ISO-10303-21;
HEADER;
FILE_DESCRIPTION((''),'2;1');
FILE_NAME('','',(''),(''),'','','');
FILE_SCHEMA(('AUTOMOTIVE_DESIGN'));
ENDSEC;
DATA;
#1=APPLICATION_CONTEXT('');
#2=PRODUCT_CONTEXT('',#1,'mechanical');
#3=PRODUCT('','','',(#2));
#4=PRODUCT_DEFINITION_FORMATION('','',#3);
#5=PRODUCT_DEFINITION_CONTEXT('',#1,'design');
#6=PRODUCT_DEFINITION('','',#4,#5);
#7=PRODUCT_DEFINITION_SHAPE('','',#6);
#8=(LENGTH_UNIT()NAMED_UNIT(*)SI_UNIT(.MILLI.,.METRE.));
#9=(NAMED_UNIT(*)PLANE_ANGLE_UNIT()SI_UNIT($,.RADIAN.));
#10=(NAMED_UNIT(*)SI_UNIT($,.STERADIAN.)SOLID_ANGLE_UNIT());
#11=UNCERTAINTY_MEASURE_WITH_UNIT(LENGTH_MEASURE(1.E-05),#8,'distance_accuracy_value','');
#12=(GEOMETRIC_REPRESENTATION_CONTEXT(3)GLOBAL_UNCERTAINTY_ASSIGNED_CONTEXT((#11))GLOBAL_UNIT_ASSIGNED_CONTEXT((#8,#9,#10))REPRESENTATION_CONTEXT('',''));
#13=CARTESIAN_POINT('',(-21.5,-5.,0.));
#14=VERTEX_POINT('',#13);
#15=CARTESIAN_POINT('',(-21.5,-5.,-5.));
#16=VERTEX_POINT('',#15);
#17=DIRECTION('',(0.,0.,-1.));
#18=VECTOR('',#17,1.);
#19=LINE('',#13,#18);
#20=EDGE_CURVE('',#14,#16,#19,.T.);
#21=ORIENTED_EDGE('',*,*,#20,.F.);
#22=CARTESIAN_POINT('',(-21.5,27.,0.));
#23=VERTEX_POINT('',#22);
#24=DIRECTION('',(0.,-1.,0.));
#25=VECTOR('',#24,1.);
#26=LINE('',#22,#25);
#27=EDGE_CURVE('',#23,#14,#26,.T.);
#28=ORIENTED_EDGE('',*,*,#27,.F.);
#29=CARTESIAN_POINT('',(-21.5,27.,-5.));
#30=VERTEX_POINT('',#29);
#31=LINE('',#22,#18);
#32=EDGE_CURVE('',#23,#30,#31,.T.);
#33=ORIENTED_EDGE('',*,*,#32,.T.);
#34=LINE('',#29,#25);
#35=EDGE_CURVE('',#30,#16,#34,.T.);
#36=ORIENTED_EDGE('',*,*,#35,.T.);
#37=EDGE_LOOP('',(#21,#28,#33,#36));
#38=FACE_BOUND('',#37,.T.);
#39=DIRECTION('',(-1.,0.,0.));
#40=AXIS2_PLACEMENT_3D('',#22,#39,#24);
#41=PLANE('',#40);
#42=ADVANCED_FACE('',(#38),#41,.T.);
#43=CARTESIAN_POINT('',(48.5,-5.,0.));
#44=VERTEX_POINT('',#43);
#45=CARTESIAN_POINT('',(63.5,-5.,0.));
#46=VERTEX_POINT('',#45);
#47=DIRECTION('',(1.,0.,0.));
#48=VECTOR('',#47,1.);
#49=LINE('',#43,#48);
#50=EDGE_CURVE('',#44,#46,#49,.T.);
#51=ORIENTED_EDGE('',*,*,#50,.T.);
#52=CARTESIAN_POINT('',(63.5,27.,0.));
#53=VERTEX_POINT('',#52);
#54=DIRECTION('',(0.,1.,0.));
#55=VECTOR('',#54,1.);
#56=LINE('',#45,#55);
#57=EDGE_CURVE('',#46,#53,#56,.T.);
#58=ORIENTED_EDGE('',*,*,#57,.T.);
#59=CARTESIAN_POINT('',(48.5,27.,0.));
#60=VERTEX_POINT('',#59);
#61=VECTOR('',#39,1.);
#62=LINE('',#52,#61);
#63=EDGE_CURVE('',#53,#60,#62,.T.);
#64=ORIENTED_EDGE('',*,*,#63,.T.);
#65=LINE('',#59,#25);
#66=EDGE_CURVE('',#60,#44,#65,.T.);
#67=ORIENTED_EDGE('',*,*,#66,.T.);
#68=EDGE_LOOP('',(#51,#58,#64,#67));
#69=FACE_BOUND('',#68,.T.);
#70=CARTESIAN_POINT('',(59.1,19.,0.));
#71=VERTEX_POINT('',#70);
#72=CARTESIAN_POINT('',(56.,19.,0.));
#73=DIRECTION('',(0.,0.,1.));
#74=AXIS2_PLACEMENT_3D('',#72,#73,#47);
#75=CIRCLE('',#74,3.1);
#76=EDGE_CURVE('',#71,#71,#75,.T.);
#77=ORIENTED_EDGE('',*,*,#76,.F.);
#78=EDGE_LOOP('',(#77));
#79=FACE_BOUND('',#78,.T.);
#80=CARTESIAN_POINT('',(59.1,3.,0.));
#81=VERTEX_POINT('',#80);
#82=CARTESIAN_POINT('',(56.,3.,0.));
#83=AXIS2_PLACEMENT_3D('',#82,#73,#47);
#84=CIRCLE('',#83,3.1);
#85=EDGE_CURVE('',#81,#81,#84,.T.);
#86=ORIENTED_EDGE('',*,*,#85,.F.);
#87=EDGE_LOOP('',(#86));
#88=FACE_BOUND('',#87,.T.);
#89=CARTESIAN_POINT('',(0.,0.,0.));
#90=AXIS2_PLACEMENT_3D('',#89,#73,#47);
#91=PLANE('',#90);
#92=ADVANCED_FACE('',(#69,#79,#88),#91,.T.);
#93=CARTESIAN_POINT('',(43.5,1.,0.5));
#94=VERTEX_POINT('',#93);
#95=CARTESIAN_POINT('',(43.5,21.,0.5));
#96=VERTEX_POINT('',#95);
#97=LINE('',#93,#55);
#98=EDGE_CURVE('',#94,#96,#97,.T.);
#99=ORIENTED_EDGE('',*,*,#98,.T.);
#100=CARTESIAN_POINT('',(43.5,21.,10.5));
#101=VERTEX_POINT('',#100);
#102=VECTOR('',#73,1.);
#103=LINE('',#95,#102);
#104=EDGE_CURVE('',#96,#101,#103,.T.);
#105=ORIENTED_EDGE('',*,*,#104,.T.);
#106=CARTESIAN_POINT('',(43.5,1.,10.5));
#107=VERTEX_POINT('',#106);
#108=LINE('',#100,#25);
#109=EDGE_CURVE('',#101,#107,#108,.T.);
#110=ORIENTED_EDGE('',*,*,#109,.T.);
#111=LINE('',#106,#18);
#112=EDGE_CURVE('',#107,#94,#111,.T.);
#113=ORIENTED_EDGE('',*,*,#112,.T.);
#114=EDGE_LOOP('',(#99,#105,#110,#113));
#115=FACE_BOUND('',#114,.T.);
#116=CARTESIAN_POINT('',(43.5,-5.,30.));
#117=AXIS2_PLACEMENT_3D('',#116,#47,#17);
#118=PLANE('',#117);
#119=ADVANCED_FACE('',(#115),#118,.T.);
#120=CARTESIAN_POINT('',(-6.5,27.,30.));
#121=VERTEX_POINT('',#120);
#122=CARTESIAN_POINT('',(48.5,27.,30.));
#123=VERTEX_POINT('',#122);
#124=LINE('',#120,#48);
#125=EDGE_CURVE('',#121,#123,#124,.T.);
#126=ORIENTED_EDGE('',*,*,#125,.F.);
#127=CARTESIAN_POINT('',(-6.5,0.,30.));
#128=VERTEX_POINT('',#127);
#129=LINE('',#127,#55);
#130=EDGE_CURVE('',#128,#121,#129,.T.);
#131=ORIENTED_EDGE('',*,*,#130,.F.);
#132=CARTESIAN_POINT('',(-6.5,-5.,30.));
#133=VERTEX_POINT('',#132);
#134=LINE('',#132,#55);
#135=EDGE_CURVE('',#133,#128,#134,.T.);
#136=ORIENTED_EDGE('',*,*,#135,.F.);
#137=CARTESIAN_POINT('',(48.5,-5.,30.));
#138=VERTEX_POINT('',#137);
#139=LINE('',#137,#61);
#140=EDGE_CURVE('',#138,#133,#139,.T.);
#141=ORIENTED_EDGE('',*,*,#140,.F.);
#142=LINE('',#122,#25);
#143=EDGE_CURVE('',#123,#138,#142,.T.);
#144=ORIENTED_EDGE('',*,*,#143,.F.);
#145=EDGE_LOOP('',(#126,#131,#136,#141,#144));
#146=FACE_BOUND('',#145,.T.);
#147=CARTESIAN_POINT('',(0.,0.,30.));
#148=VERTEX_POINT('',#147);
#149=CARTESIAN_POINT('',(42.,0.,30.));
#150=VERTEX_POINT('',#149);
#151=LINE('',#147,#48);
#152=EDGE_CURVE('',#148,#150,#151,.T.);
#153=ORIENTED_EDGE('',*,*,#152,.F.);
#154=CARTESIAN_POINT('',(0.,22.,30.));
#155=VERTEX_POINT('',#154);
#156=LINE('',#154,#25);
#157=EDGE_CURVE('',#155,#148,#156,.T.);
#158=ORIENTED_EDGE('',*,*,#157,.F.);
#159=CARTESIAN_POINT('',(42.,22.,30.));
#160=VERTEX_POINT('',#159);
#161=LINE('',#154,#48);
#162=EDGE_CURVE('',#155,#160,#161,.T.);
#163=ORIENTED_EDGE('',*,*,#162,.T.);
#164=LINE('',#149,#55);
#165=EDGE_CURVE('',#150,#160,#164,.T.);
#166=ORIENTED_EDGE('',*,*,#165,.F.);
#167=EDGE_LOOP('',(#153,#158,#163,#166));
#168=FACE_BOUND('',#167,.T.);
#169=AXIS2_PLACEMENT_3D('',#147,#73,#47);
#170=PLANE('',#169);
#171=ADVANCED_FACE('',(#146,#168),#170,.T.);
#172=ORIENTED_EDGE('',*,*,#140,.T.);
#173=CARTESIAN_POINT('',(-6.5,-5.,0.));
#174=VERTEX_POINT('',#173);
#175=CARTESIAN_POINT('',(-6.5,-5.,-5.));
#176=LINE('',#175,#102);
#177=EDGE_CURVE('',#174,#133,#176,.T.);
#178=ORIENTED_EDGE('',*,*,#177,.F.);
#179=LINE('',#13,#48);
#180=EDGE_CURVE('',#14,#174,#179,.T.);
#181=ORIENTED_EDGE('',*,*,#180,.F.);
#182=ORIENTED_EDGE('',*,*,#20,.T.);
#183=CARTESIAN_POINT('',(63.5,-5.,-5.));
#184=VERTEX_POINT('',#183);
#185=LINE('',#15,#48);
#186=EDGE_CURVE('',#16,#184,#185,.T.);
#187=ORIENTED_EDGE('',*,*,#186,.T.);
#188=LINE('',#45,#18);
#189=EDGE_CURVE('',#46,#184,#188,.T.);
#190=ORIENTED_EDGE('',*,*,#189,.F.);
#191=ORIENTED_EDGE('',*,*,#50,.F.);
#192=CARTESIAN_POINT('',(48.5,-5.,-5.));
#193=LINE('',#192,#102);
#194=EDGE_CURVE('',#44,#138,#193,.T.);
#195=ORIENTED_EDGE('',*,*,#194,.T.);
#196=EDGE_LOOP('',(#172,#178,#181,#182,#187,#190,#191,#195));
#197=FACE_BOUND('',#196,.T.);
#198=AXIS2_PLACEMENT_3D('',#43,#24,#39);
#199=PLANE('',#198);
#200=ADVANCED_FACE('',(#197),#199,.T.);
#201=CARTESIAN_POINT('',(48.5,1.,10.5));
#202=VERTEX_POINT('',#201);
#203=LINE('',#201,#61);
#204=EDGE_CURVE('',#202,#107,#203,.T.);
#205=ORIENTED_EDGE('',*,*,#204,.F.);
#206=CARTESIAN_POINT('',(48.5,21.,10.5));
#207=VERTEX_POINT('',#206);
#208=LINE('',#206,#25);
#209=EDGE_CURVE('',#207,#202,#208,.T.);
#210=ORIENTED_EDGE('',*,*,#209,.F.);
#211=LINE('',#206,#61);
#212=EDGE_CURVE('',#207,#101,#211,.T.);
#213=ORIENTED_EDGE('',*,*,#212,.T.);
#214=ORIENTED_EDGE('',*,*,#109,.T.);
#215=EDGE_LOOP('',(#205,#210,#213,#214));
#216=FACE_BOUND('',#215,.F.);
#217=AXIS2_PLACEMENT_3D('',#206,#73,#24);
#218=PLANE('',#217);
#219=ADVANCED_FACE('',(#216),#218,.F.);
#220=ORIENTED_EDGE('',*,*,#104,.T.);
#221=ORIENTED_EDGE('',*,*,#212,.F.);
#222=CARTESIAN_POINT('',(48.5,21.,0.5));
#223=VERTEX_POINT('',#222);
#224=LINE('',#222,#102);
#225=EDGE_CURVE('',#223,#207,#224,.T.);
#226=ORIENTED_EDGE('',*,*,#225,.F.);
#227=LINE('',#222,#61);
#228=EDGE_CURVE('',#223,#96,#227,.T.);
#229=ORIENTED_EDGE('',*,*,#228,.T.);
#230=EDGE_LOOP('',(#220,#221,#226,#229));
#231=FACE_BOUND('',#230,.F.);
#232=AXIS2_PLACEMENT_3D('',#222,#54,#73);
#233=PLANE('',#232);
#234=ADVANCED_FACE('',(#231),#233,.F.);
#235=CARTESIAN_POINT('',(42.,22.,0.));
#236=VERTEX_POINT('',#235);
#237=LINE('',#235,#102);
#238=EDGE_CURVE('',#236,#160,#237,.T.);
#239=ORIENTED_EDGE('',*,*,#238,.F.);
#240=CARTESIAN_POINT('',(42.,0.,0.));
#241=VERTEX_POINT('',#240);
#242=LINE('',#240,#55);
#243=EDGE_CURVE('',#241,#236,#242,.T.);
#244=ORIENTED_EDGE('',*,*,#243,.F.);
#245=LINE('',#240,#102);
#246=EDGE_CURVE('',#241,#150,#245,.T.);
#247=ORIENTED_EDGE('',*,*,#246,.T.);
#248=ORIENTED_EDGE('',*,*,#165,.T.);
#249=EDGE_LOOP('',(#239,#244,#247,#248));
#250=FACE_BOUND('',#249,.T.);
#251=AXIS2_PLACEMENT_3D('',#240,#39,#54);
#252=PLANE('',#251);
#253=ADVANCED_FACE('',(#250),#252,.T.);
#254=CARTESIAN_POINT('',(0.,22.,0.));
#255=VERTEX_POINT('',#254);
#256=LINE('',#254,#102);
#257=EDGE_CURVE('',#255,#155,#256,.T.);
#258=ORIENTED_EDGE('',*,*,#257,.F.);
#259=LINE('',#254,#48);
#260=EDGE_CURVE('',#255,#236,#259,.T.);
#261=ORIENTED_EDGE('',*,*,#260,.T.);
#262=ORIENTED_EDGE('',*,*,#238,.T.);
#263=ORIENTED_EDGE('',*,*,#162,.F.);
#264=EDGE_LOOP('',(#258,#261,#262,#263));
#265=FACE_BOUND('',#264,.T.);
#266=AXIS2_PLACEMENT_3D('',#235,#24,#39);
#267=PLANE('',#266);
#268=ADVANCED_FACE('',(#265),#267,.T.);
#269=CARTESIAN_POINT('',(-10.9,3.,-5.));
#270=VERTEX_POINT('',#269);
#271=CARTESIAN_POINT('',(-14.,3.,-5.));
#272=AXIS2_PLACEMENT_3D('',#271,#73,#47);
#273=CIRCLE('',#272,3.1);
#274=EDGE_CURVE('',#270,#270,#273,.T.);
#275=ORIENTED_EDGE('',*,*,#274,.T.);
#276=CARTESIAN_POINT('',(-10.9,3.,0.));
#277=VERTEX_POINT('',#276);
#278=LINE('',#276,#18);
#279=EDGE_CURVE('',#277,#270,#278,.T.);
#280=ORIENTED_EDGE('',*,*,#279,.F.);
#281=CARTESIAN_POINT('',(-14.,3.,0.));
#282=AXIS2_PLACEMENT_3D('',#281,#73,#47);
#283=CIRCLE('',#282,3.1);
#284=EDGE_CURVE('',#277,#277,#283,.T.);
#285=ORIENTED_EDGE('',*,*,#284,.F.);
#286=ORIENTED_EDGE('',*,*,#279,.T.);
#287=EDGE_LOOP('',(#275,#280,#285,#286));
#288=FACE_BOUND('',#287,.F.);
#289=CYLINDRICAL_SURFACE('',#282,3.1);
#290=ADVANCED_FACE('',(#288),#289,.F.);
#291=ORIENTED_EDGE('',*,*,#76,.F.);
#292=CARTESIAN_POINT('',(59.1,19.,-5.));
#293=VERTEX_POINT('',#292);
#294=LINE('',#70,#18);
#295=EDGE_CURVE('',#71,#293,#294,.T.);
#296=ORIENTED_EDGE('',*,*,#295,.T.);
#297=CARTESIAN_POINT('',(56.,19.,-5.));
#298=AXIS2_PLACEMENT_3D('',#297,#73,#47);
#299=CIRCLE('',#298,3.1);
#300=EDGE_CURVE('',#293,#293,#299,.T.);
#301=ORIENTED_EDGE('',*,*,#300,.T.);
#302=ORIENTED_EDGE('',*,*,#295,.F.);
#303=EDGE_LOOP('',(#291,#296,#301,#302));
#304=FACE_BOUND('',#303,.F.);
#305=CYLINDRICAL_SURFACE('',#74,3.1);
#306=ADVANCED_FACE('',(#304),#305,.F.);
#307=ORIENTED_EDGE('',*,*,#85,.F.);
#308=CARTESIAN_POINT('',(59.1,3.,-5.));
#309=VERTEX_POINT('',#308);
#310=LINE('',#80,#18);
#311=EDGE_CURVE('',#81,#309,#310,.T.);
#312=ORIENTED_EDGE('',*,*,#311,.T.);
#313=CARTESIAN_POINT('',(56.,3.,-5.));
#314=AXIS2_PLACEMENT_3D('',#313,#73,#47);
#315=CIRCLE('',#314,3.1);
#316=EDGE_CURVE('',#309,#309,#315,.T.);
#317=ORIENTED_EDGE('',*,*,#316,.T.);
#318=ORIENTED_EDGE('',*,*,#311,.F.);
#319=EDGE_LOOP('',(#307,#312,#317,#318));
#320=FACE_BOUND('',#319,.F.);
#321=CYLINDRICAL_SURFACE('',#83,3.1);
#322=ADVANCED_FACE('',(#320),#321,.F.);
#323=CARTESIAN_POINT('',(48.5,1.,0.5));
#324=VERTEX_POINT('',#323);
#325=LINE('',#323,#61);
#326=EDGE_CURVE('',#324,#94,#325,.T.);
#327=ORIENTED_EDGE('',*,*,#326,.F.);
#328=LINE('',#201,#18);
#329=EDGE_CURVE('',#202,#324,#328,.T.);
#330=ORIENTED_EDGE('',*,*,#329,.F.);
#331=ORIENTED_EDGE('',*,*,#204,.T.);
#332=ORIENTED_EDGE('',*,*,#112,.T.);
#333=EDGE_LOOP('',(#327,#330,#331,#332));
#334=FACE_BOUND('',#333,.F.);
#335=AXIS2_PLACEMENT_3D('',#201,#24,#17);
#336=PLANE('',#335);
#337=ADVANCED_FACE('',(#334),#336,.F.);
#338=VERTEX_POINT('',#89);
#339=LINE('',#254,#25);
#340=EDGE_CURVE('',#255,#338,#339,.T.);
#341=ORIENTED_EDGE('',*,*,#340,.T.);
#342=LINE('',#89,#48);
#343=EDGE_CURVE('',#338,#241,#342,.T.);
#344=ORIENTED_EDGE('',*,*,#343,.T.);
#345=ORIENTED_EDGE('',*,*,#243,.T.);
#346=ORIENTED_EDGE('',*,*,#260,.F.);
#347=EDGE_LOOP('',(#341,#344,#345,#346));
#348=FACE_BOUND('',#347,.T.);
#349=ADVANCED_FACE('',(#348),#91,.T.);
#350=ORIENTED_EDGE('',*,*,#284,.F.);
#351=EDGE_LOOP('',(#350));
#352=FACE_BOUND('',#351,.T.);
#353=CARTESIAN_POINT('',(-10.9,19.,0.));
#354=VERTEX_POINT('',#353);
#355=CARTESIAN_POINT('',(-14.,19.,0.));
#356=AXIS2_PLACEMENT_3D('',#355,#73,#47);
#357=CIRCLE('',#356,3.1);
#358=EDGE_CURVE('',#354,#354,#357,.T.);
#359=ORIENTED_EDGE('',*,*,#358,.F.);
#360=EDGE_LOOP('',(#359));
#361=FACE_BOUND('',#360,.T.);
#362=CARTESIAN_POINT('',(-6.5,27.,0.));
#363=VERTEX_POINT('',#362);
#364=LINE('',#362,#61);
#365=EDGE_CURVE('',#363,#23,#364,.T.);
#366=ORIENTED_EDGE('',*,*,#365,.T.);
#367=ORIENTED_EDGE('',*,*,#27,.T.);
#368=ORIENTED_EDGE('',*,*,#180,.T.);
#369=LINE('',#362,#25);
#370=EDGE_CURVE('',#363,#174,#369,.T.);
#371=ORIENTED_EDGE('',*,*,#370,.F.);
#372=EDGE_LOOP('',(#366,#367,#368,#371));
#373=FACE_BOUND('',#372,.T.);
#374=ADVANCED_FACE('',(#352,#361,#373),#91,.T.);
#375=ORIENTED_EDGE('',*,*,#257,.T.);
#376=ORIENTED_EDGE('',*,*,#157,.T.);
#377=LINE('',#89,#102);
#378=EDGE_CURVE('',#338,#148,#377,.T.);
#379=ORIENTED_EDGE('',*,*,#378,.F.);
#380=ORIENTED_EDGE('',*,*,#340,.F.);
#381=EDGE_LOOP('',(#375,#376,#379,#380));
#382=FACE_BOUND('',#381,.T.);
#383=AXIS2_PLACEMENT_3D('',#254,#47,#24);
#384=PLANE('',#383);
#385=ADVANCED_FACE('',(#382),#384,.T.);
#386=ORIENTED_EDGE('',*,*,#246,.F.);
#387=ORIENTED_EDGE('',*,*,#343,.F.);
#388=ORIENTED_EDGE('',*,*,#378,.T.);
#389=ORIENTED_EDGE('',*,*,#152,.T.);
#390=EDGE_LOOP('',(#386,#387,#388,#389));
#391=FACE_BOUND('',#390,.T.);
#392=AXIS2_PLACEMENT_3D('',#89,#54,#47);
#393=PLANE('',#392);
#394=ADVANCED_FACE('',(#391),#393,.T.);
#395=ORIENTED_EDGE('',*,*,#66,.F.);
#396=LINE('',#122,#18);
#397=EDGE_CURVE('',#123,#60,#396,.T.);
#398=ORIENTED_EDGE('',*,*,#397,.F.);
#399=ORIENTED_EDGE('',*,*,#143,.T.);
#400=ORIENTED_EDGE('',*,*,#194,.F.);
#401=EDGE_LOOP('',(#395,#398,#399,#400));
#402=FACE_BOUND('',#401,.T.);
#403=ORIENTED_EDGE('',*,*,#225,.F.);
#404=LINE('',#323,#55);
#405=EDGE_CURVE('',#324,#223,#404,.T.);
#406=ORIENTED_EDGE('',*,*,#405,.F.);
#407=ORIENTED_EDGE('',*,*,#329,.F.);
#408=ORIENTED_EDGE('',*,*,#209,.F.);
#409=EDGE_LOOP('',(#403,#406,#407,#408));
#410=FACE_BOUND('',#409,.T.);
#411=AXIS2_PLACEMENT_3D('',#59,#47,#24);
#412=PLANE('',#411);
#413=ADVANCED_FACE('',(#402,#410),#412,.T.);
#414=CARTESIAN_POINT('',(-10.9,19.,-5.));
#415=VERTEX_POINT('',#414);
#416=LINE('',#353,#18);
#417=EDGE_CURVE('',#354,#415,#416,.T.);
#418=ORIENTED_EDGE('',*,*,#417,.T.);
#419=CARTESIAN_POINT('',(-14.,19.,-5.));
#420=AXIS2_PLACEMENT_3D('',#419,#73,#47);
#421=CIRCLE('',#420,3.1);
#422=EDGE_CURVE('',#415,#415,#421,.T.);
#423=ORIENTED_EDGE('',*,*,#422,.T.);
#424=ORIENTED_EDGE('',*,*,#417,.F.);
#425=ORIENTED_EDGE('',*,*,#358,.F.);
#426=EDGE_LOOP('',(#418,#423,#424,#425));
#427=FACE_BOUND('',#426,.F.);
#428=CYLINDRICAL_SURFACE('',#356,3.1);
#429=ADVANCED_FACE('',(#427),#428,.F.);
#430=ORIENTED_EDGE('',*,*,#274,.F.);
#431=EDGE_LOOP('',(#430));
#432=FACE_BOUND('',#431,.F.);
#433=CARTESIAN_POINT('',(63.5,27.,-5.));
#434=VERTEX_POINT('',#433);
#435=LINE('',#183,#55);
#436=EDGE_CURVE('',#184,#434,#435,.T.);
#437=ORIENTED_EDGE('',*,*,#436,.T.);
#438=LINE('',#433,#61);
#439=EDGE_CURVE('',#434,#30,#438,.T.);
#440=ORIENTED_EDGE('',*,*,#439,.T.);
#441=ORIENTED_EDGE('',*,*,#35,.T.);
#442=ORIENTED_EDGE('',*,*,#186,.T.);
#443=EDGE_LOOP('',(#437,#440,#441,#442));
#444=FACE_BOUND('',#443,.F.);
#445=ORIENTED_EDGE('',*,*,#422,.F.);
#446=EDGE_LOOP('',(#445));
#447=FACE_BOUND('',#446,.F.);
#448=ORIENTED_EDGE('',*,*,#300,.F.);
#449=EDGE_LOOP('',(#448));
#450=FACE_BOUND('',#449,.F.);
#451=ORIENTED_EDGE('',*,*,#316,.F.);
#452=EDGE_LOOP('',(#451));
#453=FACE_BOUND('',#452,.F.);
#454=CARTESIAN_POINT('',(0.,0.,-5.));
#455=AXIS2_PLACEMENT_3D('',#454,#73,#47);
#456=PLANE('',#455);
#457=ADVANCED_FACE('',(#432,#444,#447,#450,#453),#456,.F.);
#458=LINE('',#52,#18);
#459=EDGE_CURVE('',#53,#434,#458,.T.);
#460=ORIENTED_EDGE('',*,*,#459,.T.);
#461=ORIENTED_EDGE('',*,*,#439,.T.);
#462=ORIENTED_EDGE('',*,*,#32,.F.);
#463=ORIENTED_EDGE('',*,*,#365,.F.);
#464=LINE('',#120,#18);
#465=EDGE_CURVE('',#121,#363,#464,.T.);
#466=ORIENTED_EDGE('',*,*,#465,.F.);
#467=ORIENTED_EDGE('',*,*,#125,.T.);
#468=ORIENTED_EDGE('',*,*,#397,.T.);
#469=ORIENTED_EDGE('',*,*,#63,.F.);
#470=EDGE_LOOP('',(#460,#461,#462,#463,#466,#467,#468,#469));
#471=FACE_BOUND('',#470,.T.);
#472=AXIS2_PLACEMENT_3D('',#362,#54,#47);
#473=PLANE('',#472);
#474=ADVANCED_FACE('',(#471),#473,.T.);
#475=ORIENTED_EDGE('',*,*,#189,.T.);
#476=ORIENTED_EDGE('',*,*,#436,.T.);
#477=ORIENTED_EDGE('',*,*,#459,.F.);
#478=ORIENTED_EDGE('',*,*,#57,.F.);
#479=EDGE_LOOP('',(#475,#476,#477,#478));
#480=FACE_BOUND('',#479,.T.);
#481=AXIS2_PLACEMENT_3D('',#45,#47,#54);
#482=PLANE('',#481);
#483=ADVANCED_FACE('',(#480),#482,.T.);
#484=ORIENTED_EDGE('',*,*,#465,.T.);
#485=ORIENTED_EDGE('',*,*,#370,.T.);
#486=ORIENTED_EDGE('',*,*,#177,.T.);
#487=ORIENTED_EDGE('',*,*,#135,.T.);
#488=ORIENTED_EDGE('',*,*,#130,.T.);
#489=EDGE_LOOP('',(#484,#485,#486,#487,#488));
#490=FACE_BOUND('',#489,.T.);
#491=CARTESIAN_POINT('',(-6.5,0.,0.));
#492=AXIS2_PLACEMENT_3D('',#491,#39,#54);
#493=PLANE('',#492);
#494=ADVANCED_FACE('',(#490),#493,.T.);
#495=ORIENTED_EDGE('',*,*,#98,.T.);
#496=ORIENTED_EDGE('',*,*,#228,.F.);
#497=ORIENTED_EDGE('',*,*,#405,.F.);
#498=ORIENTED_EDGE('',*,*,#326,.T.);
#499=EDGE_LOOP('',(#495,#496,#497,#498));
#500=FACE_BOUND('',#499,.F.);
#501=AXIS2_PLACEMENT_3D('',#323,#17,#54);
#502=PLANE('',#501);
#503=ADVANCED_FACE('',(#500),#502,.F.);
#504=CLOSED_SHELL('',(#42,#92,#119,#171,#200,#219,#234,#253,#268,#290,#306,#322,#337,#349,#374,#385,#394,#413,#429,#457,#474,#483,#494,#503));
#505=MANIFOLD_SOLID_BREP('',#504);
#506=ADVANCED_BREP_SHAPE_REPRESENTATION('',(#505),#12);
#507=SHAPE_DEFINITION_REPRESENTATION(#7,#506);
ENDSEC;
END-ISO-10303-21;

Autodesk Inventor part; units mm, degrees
ref_plane "YZ Plane" through (0, 0, 0) normal (1, 0, 0) x (0, 1, 0)
ref_plane "XZ Plane" through (0, 0, 0) normal (0, 1, 0) x (-1, 0, 0)
ref_plane "XY Plane" through (0, 0, 0) normal (0, 0, 1) x (1, 0, 0)
sketch "Sketch1" plane through (0, 0, 0) normal (0, 0, 1) x (1, 0, 0)
  line L0 (0, 0) -> (42, 0)
  line L1 (42, 0) -> (42, 22)
  line L2 (42, 22) -> (0, 22)
  line L3 (0, 22) -> (0, 0)
  line L4 (0, 0) -> (-6.5, 0)
  line L5 (-6.5, 0) -> (-6.5, 27)
  line L6 (-6.5, 27) -> (48.5, 27)
  line L7 (48.5, 27) -> (48.5, -5)
  line L8 (48.5, -5) -> (-6.5, -5)
  line L9 (-6.5, -5) -> (-6.5, 0)
  line L10 (-6.5, 27) -> (-21.5, 27)
  line L11 (-21.5, 27) -> (-21.5, -5)
  line L12 (-21.5, -5) -> (-6.5, -5)
  line L13 (48.5, -5) -> (63.5, -5)
  line L14 (63.5, -5) -> (63.5, 27)
  line L15 (63.5, 27) -> (48.5, 27)
  circle A0 centre (-14, 19) radius 3.1
  circle A1 centre (-14, 3) radius 3.1
  line L16 (21, 22) -> (21, 19)
  circle A2 centre (56, 19) radius 3.1
  circle A3 centre (56, 3) radius 3.1
  dimension "d0" = 42
  dimension "d1" = 22
  dimension "d2" = 6.5
  dimension "d3" = 27
  dimension "d4" = 55
  dimension "d5" = 32
  dimension "d11" = 15
  dimension "d12" = 15
  dimension "d13" = 32
  dimension "d16" = 7.5
  dimension "d17" = 7.5
  dimension "d18" = 8
  dimension "d19" = 8
  dimension "d20" = 6.2
  dimension "d21" = 6.2
extrude "Extrusion1" add sketch "Sketch1" along normal blind 30 contours L5 L6 L7 L8 L9
extrude "Extrusion2" add sketch "Sketch1" against normal blind 5 contours L3 L2 L1 L0 | L5 L6 L7 L8 L9
extrude "Extrusion3" add sketch "Sketch1" against normal blind 5 contours L9 L12 L11 L10 L5 | L15 L14 L13 L7
sketch "Sketch2" plane through (48.5, -5, 30) normal (1, 0, 0) x (0, 0, -1)
  line L0 (29.5, 26) -> (19.5, 26) projected
  line L1 (19.5, 26) -> (19.5, 6) projected
  line L2 (19.5, 6) -> (29.5, 6) projected
  line L3 (29.5, 6) -> (29.5, 26) projected
  point P0 (30, 5)
extrude "Extrusion4" cut sketch "Sketch2" against normal blind 5
equation "\"d2\" = -0.5 * d0 + 0.5 * d4"
equation "\"d21\" = d20"
properties part number "base"
